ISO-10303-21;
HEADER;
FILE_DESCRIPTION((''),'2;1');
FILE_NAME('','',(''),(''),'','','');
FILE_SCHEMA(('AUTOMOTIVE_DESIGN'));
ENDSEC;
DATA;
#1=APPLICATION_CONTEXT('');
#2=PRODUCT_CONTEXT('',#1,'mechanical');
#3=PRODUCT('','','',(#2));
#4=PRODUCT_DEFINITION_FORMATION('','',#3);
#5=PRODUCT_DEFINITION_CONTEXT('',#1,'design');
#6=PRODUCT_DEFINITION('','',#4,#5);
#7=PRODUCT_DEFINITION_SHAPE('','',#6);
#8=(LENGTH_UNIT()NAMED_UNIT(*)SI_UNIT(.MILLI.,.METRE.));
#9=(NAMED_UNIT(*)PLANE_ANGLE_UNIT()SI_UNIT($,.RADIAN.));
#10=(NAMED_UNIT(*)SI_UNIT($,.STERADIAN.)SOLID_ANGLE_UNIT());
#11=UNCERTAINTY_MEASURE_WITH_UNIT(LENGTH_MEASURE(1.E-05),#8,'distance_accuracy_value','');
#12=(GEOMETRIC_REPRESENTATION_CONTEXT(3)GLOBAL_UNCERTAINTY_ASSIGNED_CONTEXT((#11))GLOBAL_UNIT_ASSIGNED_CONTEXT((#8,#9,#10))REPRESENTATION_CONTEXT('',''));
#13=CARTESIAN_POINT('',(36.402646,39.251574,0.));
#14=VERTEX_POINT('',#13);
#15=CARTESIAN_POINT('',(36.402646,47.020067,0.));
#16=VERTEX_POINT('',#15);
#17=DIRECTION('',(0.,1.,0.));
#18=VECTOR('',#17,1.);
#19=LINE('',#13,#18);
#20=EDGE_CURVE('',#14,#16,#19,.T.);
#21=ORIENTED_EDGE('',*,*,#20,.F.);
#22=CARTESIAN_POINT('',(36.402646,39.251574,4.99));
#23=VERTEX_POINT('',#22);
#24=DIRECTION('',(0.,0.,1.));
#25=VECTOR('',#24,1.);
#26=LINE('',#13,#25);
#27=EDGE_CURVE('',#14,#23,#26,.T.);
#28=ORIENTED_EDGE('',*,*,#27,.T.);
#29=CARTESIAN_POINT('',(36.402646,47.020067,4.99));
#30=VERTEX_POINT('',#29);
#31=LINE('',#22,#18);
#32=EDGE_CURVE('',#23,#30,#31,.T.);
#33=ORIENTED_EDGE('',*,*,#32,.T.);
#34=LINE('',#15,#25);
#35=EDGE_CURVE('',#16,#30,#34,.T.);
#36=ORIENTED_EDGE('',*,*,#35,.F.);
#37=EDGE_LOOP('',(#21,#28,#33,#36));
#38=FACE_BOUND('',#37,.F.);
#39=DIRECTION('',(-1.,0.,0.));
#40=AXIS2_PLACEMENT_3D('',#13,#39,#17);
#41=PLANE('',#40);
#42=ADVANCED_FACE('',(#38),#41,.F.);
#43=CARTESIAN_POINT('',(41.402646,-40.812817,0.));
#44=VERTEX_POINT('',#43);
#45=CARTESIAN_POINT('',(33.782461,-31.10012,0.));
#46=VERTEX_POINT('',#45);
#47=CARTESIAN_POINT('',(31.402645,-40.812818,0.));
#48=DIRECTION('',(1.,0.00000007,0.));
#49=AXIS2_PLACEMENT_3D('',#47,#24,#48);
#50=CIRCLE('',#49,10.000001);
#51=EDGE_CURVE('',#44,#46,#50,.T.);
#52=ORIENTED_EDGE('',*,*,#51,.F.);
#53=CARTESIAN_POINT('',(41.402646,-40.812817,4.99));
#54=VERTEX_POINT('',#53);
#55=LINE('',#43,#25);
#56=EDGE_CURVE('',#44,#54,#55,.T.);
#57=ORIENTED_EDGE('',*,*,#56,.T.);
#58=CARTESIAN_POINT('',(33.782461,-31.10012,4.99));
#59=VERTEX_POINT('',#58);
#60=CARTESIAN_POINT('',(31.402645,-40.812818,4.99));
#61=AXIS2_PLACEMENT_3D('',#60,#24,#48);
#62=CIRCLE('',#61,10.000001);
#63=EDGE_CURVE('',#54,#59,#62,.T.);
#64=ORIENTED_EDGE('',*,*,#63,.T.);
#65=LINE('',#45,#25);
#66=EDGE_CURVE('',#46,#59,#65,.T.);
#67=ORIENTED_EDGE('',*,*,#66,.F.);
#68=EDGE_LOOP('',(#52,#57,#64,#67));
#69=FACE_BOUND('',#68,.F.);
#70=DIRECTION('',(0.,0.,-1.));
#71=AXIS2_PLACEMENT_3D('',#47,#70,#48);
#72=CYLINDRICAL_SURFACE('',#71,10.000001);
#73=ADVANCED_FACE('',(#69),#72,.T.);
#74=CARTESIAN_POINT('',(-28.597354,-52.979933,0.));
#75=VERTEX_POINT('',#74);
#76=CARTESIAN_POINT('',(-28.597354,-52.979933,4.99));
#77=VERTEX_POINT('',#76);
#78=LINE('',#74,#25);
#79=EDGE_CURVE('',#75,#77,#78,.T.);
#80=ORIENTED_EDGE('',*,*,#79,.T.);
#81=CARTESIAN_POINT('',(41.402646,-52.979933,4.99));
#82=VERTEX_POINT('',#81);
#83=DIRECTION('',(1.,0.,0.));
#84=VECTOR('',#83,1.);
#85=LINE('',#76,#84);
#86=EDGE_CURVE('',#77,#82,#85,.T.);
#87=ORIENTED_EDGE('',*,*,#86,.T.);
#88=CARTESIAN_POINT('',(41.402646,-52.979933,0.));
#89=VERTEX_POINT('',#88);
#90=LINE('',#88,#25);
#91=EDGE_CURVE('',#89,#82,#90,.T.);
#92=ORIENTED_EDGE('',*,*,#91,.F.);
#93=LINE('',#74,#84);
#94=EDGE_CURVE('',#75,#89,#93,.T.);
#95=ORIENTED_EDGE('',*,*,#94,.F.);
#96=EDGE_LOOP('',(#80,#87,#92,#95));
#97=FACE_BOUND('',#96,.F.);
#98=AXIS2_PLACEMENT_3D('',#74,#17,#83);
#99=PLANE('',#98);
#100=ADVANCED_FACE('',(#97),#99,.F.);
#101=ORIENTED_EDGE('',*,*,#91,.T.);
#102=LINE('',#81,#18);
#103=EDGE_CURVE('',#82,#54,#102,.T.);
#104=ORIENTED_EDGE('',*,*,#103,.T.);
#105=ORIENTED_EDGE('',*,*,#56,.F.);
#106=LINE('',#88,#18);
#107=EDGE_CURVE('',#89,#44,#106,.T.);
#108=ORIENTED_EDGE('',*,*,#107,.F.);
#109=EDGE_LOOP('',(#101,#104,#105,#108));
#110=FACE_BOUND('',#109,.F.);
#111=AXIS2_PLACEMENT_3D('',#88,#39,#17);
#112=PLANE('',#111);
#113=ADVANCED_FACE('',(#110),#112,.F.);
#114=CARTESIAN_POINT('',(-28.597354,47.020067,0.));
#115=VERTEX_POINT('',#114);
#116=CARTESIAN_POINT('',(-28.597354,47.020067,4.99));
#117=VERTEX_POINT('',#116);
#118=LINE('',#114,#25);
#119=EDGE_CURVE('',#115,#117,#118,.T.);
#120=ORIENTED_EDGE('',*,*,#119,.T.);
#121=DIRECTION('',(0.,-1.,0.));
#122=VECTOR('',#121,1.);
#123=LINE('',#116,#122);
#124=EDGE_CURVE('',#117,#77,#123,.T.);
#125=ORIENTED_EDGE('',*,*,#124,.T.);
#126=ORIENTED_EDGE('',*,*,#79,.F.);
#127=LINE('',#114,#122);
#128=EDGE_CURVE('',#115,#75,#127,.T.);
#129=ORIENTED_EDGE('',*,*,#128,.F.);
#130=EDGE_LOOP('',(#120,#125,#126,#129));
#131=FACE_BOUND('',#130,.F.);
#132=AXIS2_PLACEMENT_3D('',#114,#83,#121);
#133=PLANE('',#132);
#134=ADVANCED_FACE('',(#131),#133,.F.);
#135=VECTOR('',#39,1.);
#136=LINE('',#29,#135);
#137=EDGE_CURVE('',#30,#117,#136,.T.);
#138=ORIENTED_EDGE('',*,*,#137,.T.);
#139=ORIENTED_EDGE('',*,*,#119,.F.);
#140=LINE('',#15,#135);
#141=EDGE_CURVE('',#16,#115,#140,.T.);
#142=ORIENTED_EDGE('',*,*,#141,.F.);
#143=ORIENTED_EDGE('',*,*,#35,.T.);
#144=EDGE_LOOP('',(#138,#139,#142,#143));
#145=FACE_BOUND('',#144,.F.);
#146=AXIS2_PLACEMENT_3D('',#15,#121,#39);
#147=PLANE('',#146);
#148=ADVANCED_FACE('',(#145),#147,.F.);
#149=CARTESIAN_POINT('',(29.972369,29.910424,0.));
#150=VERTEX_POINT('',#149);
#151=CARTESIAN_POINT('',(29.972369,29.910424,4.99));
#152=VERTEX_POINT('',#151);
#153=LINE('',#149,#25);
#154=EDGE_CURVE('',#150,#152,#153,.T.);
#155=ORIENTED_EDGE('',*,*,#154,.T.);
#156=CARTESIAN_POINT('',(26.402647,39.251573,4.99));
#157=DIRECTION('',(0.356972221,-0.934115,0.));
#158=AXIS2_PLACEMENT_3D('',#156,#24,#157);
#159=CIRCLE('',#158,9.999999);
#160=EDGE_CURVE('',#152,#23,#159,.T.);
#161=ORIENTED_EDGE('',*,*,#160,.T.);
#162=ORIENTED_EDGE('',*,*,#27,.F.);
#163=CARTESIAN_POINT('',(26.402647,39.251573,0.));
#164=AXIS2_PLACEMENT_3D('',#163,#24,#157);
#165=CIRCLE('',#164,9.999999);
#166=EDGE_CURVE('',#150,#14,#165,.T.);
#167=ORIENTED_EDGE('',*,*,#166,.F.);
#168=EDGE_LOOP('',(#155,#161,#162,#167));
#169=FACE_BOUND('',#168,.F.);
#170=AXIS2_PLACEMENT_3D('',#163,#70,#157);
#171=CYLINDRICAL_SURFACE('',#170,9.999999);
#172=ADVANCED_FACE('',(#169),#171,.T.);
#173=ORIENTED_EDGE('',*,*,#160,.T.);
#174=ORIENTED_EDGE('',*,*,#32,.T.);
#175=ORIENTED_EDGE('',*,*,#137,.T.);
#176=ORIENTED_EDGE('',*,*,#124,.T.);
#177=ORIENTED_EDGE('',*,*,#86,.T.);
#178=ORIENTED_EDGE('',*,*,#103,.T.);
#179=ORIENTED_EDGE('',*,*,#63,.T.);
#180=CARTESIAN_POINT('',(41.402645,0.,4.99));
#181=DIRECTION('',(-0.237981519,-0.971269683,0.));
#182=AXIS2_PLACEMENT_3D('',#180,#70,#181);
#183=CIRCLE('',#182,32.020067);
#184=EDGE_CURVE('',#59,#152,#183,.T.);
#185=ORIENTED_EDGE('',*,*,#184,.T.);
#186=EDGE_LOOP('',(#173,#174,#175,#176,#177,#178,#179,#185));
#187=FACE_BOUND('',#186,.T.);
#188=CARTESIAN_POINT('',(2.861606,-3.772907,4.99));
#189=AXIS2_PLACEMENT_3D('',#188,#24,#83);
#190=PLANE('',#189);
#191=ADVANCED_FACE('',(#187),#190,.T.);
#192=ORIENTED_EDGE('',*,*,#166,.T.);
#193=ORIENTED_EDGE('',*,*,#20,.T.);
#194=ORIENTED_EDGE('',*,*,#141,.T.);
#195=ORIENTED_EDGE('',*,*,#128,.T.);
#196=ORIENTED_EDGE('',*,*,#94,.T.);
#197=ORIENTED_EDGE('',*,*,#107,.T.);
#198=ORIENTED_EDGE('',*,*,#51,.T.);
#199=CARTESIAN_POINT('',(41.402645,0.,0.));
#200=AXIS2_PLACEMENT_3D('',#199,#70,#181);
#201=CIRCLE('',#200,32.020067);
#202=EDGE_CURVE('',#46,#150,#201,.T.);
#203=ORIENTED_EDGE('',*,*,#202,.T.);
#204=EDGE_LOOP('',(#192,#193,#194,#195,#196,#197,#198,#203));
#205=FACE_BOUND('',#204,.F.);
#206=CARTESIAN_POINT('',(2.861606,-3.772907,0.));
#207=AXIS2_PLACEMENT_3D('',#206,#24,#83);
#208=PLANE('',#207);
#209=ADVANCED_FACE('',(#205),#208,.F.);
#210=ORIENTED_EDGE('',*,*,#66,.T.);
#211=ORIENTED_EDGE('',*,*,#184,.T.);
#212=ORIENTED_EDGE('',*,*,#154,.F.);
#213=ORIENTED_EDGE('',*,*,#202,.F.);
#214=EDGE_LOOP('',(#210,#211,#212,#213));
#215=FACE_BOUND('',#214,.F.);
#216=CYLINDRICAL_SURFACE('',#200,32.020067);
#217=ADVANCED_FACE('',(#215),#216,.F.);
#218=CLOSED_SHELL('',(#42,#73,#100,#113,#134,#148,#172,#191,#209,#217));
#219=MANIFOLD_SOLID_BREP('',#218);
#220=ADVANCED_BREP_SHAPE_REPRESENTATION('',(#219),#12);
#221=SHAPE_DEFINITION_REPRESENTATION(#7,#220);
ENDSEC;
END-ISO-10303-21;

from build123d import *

# Parameters (mm, degrees)
F1_DEPTH = 4.99


with BuildPart() as f1:
    # F0 (on Top) → F1 (new body)
    with BuildSketch(Plane.XY):
        with BuildLine():
            Line((36.402646, 47.020067), (-28.597354, 47.020067))
            Line((-28.597354, 47.020067), (-28.597354, -52.979933))
            Line((-28.597354, -52.979933), (41.402646, -52.979933))
            Line((41.402646, -52.979933), (41.402646, -40.812817))
            ThreePointArc((41.402646, -40.812817), (39.270242, -34.640222), (33.782461, -31.10012))
            ThreePointArc((33.782461, -31.10012), (9.444835, -1.995757), (29.972369, 29.910424))
            ThreePointArc((29.972369, 29.910424), (34.639673, 33.581354), (36.402646, 39.251574))
            Line((36.402646, 39.251574), (36.402646, 47.020067))
        make_face()
    extrude(amount=F1_DEPTH)


solid = f1.part
